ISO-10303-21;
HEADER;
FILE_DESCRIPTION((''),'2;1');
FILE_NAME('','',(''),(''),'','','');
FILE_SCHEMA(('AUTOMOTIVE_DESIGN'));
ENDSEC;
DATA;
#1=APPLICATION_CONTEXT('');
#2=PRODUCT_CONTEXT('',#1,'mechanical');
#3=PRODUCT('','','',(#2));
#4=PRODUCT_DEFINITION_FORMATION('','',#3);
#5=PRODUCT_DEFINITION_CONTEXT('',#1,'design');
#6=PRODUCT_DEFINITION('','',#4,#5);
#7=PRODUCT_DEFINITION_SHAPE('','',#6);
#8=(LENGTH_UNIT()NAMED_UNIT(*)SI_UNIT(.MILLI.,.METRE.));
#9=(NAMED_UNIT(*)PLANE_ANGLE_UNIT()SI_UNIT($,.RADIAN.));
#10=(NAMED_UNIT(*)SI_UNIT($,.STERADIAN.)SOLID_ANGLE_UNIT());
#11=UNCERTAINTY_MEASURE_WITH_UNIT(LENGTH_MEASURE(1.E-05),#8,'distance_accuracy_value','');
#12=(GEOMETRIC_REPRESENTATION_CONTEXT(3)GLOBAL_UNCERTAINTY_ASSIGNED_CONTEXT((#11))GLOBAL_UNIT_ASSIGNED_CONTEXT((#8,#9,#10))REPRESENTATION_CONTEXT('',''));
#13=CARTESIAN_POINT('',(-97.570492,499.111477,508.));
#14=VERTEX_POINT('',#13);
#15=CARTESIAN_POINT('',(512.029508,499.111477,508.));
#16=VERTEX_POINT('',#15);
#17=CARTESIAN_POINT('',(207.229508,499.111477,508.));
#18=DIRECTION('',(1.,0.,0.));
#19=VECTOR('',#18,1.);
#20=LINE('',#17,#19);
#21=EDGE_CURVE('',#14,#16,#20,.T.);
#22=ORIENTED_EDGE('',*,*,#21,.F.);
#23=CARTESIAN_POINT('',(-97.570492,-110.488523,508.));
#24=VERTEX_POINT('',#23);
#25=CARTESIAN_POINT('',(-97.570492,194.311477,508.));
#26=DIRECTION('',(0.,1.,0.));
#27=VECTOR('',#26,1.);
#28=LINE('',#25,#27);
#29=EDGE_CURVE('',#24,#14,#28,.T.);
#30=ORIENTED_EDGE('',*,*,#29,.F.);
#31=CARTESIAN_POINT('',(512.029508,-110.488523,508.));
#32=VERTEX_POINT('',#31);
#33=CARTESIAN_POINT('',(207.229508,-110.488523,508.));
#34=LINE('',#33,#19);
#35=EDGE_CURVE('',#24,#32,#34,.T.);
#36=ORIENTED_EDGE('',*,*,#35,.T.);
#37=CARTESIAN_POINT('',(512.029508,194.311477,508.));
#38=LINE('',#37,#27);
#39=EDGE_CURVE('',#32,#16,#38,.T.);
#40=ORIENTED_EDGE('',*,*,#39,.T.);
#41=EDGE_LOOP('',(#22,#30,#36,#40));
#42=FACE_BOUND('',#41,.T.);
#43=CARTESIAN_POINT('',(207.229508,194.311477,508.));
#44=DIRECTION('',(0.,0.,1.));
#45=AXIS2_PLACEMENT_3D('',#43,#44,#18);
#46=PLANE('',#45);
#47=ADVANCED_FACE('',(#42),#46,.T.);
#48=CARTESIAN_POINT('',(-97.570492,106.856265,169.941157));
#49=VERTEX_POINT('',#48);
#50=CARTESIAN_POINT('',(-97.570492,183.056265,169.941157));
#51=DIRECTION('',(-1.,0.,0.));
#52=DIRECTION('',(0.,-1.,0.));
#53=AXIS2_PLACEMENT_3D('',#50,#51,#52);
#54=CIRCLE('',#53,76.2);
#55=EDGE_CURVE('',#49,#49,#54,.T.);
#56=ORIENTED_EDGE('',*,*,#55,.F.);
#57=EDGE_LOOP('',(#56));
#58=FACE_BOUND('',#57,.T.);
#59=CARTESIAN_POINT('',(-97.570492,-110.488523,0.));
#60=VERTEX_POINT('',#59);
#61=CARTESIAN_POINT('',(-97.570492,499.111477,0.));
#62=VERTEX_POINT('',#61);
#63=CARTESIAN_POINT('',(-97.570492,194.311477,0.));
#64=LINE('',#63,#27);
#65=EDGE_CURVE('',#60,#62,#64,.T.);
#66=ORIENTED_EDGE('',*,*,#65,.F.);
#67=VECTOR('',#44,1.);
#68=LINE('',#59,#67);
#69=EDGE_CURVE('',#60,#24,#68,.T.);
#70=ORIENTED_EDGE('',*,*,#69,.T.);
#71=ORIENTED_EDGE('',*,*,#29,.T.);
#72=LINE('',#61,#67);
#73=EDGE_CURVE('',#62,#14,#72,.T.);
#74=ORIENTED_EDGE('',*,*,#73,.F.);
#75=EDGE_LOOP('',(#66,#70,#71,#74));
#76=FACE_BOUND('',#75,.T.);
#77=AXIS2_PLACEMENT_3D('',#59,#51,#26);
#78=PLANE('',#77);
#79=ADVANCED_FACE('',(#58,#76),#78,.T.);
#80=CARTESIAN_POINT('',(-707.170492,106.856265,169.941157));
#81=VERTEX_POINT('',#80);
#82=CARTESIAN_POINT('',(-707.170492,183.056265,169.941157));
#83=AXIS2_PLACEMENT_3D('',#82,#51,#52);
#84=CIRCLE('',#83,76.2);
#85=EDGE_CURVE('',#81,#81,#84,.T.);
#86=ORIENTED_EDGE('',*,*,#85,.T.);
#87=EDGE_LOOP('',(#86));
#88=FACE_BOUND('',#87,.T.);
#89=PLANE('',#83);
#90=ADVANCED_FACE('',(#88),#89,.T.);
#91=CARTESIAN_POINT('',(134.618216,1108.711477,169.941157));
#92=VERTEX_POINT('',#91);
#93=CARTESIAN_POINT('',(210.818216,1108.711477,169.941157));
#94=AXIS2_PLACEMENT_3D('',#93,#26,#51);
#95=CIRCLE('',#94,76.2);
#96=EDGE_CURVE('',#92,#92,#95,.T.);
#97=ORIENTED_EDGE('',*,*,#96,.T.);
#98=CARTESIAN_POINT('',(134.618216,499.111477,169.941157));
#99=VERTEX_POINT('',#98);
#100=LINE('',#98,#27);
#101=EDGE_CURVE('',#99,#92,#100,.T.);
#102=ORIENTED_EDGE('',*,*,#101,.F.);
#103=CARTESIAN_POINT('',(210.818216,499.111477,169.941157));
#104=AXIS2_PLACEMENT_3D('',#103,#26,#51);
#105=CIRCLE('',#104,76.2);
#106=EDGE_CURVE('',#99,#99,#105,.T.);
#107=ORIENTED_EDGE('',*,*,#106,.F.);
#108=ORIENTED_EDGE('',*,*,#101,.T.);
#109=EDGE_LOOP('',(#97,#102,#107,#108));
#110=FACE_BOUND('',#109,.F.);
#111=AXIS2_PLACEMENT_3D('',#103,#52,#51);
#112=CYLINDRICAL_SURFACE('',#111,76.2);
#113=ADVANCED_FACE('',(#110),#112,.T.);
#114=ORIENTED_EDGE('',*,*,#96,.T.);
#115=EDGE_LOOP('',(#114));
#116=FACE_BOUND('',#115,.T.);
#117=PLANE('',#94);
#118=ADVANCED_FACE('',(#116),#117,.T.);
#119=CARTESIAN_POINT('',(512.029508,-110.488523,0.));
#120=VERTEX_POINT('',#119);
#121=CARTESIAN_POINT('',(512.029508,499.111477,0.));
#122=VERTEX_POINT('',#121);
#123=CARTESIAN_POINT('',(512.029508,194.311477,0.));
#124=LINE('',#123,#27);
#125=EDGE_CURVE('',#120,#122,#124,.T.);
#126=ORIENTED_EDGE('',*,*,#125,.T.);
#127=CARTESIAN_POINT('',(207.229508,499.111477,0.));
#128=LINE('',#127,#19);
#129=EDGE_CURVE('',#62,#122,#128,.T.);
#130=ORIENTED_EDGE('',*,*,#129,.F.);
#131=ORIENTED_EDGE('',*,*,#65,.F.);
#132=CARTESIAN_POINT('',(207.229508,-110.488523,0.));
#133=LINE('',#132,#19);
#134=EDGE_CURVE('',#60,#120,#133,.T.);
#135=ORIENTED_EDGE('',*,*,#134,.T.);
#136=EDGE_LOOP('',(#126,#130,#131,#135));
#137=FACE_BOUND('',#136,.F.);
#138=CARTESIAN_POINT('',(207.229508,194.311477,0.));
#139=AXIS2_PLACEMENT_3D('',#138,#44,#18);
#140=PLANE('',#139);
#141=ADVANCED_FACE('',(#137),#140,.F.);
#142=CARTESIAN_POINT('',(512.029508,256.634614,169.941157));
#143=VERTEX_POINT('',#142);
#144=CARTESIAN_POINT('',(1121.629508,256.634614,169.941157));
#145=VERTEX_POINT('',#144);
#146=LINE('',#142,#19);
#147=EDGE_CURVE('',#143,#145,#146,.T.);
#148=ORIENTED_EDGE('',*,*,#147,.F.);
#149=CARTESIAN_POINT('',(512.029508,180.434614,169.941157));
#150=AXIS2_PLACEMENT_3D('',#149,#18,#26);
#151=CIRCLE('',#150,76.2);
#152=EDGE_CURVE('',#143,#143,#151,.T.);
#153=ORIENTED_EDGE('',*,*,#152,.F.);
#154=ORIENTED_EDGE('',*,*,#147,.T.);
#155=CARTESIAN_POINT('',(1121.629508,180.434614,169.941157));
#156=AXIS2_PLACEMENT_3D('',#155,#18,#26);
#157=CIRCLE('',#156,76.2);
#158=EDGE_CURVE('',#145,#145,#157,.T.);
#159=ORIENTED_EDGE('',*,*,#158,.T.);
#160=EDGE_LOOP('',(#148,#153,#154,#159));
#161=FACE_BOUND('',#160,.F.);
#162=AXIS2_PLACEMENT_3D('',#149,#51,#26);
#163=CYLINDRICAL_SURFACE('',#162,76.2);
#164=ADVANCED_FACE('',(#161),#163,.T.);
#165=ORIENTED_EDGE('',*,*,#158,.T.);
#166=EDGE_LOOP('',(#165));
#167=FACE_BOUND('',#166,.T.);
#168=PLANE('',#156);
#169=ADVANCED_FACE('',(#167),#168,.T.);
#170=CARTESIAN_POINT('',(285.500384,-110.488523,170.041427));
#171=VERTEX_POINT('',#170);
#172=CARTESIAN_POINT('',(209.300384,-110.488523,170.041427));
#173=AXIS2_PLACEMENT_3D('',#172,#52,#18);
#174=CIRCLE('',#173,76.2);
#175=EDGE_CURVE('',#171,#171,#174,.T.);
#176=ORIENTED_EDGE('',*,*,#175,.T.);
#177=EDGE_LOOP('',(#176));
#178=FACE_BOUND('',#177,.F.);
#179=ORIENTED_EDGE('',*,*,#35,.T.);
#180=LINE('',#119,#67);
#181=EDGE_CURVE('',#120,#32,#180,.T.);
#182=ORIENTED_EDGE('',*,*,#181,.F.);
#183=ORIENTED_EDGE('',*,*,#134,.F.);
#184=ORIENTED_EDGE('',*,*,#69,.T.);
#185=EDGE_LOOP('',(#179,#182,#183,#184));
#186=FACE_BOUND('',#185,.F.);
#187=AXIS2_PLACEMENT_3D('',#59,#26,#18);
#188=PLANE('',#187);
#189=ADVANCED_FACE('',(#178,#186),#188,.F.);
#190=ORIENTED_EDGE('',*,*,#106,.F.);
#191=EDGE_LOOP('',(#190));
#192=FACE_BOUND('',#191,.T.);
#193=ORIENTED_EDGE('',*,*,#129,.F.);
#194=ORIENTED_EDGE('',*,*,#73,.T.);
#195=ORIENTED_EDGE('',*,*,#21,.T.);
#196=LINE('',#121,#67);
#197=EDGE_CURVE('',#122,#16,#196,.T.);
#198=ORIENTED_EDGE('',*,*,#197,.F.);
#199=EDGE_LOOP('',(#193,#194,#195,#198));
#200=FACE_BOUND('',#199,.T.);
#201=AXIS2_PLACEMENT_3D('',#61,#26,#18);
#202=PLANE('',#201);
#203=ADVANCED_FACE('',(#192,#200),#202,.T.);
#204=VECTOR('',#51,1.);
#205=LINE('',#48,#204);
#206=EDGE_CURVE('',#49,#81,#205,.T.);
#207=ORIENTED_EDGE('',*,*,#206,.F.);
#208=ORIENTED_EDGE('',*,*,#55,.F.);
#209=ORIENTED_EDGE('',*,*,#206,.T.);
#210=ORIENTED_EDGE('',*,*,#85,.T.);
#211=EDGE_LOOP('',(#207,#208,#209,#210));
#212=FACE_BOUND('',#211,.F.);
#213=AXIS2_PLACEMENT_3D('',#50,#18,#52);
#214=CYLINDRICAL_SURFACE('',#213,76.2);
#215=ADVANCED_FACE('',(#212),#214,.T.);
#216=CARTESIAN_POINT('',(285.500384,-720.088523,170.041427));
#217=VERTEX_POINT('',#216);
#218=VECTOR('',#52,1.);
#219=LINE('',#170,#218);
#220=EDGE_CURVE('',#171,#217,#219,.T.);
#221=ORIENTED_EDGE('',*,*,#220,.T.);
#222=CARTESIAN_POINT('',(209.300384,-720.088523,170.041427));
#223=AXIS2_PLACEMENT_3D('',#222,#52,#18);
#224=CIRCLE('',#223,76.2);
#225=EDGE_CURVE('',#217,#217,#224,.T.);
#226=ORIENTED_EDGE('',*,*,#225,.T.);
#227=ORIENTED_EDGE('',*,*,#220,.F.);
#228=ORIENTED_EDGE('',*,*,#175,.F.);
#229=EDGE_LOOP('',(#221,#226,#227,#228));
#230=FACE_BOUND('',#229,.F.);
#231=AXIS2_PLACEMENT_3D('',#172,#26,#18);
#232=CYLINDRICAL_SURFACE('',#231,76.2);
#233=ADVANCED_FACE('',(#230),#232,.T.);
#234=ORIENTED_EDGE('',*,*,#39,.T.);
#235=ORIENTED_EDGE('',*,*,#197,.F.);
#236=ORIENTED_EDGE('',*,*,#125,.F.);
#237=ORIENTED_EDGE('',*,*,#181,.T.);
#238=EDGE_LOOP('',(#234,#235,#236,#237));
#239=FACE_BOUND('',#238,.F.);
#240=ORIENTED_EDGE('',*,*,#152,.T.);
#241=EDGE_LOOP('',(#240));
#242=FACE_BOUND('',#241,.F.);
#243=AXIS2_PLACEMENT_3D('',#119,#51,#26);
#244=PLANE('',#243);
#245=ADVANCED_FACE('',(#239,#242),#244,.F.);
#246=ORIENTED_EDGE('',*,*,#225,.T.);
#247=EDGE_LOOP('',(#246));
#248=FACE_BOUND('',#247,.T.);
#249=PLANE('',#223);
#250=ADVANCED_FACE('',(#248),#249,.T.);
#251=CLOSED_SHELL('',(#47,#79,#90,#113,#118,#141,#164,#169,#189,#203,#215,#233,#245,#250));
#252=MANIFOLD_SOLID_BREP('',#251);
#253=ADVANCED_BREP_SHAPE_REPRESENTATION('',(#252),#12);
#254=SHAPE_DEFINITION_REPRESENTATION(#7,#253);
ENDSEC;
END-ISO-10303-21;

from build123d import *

# Parameters (mm, degrees)
F0_W     = 609.6
F0_H     = 609.6
F1_DEPTH = 508
F2_R     = 76.2
F3_DEPTH = 609.6
F4_R     = 76.2
F5_DEPTH = 609.6
F6_R     = 76.2
F7_DEPTH = 609.6
F8_R     = 76.2
F9_DEPTH = 609.6


with BuildPart() as f1:
    # F0 (on Top) → F1 (new body)
    with BuildSketch(Plane.XY):
        with Locations((207.229508, 194.311477)):
            Rectangle(F0_W, F0_H)
    extrude(amount=F1_DEPTH)

    # F2 (on face) → F3 (join)
    with BuildSketch(Plane.XZ.offset(110.488523)):
        with Locations((209.300384, 170.041427)):
            Circle(F2_R)
    extrude(amount=F3_DEPTH)

    # F4 (on face) → F5 (join)
    with BuildSketch(Plane(origin=(-97.570492, 0, 0), x_dir=(0, -1, 0), z_dir=(-1, 0, 0))):
        with Locations((-183.056265, 169.941157)):
            Circle(F4_R)
    extrude(amount=F5_DEPTH)

    # F6 (on face) → F7 (join)
    with BuildSketch(Plane(origin=(0, 499.111477, 0), x_dir=(-1, 0, 0), z_dir=(0, 1, 0))):
        with Locations((-210.818216, 169.941157)):
            Circle(F6_R)
    extrude(amount=F7_DEPTH)

    # F8 (on face) → F9 (join)
    with BuildSketch(Plane.YZ.offset(512.029508)):
        with Locations((180.434614, 169.941157)):
            Circle(F8_R)
    extrude(amount=F9_DEPTH)


solid = f1.part
